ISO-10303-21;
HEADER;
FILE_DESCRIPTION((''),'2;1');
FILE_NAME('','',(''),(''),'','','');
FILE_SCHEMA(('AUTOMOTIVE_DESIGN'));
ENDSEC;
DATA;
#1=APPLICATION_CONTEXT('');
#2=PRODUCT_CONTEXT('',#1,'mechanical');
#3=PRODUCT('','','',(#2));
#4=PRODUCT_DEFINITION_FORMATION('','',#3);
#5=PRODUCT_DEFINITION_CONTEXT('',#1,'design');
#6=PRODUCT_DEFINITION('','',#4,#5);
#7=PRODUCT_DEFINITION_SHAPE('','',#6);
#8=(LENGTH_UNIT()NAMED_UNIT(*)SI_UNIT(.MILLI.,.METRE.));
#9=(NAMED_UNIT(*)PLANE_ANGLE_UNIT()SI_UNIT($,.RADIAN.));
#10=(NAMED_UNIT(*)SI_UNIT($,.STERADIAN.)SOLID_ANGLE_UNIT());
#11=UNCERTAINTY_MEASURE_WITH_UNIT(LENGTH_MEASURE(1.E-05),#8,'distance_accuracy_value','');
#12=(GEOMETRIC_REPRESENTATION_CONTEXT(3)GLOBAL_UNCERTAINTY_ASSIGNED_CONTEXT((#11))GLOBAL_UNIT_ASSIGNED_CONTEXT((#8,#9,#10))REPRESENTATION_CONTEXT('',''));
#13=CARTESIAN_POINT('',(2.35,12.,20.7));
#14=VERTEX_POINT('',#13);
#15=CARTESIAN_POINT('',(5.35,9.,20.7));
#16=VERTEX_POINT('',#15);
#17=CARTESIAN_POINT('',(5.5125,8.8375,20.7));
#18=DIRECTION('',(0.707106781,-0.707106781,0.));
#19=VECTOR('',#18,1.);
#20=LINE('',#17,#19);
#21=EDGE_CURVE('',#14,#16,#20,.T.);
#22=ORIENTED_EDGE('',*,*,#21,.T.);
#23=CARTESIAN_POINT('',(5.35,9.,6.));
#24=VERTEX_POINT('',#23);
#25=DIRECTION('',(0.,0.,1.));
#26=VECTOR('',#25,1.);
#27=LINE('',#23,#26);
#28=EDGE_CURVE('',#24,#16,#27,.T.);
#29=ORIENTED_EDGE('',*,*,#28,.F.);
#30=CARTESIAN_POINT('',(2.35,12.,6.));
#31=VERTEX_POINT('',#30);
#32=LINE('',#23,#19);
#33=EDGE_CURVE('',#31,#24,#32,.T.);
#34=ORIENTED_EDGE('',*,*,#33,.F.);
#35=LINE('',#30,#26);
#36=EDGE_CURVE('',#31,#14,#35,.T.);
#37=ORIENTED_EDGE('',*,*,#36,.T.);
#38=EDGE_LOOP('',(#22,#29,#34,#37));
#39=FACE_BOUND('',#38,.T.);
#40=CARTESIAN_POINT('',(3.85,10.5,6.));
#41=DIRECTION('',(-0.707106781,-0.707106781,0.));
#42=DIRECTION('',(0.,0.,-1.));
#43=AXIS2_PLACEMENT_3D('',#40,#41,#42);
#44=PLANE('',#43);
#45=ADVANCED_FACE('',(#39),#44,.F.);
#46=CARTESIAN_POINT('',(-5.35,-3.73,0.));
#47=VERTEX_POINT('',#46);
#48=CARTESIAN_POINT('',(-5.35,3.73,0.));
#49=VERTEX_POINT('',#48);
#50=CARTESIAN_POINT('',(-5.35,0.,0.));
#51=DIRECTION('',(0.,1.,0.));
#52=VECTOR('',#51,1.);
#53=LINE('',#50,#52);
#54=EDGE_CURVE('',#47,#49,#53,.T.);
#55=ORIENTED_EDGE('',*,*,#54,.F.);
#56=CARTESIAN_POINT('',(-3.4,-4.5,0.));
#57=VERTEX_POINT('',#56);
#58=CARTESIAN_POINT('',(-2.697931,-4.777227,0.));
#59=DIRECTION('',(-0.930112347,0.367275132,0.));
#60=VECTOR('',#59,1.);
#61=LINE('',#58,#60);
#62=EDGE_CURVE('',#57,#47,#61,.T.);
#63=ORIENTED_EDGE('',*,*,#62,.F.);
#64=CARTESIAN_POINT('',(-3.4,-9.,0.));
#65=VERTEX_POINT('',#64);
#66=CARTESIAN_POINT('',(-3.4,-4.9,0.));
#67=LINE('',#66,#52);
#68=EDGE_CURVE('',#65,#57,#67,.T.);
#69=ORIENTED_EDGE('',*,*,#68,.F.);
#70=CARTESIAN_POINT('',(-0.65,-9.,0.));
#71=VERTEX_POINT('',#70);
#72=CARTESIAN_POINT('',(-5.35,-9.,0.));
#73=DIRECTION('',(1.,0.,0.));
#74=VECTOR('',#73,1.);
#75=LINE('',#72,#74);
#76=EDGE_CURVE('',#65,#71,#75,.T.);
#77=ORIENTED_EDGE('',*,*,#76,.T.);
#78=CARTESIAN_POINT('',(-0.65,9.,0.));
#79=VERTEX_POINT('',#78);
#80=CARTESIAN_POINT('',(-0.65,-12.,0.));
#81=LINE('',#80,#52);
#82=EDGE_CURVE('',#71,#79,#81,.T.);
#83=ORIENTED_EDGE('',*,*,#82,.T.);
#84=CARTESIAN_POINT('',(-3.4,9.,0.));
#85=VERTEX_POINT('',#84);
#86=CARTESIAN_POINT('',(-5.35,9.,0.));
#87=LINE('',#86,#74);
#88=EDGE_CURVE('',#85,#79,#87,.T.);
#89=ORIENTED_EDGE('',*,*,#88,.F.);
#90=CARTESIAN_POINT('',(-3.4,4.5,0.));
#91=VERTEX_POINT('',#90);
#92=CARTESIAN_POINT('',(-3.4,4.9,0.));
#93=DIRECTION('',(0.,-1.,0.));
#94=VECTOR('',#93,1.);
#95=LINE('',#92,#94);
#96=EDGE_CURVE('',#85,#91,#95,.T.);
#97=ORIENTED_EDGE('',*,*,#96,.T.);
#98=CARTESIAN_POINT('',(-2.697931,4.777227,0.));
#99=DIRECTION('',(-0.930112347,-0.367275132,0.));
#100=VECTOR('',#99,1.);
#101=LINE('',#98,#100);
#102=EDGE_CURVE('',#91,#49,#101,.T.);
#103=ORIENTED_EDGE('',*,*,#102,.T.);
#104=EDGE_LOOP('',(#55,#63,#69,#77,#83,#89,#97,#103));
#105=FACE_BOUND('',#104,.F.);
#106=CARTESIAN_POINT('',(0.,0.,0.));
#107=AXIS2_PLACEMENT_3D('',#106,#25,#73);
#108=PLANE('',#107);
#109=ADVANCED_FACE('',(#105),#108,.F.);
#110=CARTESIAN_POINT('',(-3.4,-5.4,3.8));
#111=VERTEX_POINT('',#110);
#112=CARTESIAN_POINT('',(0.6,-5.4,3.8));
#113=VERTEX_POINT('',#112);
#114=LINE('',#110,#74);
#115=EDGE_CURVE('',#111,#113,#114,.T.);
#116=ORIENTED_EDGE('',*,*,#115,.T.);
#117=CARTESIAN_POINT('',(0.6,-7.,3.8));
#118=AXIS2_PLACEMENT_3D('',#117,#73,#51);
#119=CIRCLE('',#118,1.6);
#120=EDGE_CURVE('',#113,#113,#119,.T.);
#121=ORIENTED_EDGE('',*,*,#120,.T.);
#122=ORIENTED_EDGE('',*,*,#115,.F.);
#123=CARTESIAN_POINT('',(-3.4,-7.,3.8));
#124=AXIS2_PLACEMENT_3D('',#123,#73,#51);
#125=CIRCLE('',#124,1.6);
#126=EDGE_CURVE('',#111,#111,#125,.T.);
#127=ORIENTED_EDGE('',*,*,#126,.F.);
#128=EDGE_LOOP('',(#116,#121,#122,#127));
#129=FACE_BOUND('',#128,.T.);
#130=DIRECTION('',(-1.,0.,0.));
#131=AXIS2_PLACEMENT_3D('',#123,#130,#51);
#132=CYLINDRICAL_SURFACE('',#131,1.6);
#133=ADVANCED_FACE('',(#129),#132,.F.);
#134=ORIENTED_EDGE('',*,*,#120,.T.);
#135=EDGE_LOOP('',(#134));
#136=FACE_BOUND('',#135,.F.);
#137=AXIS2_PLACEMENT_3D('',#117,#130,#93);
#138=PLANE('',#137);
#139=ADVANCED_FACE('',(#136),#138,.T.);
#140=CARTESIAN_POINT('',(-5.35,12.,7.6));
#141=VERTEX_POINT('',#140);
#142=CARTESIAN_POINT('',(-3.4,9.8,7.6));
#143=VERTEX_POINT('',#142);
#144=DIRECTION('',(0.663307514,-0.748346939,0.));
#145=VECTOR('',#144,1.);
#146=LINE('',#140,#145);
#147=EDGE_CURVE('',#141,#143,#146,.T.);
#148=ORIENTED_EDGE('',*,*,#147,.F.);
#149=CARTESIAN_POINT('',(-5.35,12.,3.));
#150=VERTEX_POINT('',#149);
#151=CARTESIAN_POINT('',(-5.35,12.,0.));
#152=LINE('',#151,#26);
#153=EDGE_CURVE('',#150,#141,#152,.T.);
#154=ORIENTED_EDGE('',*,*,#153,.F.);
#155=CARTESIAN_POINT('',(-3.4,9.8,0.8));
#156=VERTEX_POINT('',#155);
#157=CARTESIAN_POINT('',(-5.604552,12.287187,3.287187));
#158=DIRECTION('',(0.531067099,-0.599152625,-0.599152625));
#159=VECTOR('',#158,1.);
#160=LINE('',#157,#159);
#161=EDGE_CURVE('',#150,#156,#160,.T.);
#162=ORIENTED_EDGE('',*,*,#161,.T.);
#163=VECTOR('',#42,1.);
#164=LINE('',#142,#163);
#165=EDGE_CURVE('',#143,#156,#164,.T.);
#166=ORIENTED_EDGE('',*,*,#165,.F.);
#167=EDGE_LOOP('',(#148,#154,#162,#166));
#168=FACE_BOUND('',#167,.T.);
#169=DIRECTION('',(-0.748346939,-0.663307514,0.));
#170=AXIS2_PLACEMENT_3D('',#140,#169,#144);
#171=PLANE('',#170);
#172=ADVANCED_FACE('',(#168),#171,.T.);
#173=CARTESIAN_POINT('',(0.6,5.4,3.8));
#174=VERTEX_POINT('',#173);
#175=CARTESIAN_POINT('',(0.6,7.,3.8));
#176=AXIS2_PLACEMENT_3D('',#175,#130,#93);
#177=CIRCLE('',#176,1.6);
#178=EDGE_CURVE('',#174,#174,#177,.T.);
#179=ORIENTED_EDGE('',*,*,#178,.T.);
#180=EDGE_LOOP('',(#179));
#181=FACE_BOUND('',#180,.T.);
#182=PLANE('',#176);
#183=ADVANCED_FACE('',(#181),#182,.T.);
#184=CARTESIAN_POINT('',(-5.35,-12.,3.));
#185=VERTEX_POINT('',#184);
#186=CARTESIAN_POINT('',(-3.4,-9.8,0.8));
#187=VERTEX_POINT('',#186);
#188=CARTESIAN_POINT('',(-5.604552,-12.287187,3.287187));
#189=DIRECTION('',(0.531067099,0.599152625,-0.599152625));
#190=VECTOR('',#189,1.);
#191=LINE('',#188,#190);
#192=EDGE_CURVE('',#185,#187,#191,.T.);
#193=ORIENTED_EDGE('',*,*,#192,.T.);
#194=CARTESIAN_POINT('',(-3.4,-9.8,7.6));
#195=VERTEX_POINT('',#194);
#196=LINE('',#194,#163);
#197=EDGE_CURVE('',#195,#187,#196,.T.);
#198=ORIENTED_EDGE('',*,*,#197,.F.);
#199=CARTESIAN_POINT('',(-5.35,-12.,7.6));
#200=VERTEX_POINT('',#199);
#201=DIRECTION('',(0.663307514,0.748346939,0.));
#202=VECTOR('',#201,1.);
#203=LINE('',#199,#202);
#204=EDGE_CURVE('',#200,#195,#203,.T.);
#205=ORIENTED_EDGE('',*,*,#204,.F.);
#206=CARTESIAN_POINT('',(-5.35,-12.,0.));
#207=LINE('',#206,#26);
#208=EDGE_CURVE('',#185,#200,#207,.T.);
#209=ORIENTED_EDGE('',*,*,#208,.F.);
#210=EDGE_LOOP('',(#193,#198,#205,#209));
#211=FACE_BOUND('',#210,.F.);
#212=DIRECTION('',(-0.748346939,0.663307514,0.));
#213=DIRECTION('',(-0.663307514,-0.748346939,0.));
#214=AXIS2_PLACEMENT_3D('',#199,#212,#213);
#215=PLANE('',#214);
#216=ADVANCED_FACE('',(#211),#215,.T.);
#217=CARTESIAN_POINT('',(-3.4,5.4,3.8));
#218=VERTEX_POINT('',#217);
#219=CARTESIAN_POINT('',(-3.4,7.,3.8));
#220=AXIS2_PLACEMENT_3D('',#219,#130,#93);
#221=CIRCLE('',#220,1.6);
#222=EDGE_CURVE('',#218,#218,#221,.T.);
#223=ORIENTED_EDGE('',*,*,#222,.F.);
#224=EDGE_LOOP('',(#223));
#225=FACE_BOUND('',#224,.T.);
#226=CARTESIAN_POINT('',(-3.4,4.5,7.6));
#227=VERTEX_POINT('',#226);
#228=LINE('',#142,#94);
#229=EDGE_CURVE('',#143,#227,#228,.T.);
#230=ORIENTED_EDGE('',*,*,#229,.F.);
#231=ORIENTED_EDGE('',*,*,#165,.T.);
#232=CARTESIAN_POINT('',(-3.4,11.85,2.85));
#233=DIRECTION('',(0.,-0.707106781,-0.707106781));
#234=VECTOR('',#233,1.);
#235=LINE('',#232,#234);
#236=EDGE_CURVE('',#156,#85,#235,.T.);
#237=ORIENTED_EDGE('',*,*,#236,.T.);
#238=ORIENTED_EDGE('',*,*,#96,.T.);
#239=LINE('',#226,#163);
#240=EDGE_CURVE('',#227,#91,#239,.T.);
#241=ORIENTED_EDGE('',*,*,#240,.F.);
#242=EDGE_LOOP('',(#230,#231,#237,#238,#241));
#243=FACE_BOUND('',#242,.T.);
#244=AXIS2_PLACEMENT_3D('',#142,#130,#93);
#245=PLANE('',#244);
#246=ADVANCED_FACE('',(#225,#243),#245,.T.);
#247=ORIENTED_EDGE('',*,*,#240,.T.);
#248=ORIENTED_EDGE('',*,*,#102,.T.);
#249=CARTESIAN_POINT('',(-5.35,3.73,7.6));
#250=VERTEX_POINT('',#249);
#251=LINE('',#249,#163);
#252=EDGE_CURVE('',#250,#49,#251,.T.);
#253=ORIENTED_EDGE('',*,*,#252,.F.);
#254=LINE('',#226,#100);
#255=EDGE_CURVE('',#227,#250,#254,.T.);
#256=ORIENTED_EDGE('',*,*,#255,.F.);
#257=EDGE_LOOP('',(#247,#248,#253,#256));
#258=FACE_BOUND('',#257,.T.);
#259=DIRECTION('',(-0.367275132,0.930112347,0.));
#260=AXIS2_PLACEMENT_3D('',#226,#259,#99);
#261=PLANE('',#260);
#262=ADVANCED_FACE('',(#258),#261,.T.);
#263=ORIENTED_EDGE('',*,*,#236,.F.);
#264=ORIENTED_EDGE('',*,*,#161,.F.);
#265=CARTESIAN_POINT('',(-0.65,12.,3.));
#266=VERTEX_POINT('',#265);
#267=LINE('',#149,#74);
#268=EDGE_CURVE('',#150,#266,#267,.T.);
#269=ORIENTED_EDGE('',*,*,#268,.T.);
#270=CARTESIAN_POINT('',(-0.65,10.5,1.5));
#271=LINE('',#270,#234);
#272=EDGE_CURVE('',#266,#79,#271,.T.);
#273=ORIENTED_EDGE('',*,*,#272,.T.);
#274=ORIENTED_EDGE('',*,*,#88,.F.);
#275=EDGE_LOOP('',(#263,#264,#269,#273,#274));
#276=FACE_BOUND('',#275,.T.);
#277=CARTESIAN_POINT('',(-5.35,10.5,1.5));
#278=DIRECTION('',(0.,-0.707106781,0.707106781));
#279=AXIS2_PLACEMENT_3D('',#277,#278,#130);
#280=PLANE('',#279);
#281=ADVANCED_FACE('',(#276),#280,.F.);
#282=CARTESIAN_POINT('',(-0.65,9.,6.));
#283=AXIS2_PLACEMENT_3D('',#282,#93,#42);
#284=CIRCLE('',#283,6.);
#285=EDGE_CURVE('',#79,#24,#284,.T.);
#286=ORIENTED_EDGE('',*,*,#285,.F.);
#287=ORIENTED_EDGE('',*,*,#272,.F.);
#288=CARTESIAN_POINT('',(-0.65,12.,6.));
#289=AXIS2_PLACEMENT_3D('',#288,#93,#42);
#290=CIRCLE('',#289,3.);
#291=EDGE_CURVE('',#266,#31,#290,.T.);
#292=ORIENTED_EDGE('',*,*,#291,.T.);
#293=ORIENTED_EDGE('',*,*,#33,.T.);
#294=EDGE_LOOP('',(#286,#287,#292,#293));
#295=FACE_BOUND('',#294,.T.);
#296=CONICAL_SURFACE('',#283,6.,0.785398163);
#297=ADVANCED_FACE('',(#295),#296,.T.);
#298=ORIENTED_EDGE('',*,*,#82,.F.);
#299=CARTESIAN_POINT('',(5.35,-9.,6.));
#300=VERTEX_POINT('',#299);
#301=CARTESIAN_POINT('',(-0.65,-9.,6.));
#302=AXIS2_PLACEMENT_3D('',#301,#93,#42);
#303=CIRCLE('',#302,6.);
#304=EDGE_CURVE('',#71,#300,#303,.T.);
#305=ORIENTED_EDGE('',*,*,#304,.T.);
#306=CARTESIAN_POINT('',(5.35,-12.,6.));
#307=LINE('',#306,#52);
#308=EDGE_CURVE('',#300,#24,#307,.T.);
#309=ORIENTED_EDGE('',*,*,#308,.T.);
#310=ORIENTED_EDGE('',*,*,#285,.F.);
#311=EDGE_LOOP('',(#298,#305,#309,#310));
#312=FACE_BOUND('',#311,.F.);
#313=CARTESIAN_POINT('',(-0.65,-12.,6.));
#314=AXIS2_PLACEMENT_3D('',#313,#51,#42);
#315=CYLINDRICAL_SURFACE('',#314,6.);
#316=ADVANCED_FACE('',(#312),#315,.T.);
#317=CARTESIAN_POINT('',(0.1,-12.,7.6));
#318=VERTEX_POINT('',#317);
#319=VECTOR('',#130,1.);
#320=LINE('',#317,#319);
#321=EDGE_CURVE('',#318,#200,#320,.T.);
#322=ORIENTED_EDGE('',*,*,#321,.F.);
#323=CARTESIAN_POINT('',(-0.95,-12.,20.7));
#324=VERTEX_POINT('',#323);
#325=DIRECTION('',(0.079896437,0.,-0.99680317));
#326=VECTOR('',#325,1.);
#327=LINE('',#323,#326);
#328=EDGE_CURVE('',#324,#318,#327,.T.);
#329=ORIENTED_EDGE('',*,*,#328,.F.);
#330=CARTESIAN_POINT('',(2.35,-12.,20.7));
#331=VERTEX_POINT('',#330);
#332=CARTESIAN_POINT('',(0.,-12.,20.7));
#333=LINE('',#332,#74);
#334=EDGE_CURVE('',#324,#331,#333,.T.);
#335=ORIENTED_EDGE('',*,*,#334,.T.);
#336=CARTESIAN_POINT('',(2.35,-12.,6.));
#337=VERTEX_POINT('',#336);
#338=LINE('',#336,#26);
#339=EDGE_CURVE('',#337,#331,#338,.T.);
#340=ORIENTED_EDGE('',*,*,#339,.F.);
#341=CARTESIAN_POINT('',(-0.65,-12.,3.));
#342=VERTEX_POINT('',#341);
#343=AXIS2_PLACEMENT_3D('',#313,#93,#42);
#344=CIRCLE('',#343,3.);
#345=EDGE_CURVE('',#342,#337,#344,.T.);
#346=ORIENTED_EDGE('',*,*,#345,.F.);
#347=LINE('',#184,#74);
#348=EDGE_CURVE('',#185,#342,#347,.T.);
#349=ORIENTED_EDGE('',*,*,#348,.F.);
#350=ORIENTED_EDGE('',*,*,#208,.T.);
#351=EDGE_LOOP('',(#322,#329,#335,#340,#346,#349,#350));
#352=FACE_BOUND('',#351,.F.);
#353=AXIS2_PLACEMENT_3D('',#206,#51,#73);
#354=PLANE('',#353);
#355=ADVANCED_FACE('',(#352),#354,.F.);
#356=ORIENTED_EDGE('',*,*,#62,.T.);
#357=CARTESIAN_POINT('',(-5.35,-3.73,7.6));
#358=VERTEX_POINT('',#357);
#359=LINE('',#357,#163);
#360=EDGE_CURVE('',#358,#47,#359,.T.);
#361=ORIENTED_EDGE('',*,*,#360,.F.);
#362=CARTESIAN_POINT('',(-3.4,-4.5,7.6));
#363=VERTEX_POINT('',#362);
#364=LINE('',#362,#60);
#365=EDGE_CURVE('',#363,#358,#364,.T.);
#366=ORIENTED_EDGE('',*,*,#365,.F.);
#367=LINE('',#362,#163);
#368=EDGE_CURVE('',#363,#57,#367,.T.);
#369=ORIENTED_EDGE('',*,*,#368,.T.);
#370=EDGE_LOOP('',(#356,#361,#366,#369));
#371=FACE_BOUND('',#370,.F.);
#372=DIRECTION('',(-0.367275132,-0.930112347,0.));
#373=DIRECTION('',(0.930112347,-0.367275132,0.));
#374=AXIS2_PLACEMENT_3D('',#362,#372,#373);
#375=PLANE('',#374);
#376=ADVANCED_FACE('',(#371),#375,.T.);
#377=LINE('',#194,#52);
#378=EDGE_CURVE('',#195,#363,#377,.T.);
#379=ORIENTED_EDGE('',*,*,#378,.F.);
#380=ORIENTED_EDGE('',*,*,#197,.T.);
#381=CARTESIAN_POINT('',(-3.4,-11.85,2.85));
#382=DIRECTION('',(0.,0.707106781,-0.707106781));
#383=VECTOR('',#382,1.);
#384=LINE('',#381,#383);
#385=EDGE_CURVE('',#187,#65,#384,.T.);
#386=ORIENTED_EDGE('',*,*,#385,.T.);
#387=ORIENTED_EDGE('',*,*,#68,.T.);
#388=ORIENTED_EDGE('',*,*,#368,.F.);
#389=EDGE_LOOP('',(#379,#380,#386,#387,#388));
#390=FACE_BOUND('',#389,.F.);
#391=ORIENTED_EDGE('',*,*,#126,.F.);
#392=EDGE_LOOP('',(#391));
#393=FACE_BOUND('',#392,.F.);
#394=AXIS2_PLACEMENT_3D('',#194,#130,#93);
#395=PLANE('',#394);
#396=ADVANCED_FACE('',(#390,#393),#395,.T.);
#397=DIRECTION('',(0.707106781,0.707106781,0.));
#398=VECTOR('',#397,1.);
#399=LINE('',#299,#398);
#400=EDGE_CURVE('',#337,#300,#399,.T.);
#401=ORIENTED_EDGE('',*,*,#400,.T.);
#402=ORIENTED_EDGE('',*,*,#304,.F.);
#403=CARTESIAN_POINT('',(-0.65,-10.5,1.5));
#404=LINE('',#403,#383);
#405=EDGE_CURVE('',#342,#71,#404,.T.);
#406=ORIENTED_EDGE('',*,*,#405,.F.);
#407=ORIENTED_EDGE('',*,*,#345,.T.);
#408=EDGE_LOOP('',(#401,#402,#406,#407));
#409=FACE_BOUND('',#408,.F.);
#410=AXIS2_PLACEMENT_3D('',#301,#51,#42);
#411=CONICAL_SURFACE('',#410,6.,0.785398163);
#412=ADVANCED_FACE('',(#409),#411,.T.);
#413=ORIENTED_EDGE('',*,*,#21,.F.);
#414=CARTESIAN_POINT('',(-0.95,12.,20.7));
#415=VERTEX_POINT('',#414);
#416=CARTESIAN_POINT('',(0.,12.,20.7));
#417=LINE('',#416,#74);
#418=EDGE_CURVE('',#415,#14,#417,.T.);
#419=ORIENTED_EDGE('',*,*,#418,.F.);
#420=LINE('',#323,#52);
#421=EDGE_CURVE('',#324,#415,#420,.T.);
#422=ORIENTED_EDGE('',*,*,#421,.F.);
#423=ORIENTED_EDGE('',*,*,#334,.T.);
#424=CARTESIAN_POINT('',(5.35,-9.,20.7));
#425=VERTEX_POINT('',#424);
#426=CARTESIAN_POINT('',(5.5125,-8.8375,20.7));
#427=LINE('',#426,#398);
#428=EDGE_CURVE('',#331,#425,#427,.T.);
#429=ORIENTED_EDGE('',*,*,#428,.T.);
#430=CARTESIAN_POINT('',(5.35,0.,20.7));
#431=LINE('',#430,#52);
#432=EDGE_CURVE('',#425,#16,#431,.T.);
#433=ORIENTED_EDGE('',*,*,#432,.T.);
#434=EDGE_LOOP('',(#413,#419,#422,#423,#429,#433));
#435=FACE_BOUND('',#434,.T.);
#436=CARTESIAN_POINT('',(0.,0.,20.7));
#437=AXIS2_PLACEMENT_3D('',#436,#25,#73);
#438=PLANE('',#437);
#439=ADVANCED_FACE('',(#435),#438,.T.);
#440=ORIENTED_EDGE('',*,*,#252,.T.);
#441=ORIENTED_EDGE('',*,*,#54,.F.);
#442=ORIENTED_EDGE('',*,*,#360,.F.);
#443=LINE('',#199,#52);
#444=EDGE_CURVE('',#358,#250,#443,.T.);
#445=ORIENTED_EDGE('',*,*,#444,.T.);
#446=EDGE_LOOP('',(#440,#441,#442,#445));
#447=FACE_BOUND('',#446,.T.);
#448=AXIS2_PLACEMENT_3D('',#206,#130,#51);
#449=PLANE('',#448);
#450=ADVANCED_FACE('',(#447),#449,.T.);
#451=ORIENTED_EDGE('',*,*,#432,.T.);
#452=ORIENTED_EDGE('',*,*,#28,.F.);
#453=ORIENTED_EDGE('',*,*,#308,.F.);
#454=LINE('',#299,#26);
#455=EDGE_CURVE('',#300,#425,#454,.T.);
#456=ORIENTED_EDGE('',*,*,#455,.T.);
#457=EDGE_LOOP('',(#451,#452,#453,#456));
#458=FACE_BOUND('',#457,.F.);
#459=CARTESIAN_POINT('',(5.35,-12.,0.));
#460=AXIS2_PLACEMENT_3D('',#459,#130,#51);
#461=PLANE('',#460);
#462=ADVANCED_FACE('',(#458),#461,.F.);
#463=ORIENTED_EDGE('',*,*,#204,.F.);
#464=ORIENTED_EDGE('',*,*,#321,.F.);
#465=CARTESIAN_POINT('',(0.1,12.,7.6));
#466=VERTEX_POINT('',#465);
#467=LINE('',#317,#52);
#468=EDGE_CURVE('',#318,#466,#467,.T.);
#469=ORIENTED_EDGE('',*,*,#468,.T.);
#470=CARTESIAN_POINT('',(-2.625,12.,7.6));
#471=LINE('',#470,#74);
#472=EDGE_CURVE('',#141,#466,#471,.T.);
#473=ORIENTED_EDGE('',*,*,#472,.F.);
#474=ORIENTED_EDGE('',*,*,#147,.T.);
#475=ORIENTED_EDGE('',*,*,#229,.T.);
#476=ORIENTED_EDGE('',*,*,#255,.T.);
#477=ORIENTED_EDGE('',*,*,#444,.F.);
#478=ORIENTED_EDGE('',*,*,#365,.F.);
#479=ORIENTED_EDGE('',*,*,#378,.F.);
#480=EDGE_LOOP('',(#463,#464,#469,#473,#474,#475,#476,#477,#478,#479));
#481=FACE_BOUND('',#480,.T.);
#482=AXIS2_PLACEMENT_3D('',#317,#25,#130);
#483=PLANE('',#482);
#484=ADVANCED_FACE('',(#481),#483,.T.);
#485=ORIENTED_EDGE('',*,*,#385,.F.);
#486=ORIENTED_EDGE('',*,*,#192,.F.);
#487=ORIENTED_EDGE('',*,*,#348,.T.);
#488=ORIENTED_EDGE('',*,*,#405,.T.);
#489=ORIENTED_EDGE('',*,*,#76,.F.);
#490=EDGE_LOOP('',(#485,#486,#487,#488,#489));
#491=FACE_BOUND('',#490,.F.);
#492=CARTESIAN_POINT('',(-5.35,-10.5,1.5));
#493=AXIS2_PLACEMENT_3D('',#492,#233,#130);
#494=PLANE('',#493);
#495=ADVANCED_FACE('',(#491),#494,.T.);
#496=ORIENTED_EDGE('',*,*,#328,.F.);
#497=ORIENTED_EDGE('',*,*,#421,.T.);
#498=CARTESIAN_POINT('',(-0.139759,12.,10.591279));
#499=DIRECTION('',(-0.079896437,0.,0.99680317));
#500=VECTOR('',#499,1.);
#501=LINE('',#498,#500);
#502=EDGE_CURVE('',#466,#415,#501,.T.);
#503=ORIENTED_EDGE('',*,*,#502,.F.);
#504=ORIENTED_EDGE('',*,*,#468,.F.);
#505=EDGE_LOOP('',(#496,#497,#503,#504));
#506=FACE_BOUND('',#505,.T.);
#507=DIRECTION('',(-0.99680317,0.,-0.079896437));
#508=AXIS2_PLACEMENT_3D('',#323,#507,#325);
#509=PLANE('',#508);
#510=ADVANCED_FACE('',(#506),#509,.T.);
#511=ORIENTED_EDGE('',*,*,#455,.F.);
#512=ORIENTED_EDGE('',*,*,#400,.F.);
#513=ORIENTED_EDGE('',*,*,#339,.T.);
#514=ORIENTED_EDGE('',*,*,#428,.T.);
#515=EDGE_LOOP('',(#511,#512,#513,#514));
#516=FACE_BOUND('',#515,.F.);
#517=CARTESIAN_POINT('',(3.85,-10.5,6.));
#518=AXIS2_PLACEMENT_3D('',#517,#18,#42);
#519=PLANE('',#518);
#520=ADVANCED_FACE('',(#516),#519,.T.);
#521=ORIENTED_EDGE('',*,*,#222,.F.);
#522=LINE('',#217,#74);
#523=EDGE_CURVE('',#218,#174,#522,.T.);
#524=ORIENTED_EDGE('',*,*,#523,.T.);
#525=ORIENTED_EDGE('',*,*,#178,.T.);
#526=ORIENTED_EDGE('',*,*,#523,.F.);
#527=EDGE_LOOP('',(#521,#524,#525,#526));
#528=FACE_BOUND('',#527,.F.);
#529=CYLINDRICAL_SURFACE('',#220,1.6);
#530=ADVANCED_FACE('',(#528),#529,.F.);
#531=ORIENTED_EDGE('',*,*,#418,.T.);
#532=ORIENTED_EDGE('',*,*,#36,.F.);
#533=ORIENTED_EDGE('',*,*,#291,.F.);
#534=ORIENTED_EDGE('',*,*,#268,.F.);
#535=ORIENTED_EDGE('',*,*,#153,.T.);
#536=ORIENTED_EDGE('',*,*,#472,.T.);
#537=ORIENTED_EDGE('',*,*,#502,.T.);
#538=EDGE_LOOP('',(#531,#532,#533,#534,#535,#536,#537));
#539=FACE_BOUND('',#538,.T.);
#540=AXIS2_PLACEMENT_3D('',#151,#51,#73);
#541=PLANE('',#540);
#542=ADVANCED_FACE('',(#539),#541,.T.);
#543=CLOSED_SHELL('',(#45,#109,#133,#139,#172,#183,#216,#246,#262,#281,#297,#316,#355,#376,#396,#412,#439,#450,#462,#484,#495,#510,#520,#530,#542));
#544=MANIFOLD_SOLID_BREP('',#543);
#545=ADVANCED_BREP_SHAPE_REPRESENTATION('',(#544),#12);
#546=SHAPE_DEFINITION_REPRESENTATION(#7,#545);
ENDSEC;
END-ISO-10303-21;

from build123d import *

# Parameters (mm, degrees)
SKETCH_W        = 10.7
SKETCH_H        = 24
PAD_DEPTH       = 20.7
POCKET_DEPTH    = 24.001
FILLET_R        = 6
POCKET001_DEPTH = 74.503317
SKETCH003_R     = 1.6
POCKET002_DEPTH = 4
CHAMFER_SIZE    = 3
CHAMFER001_SIZE = 3


with BuildPart() as part:
    # Sketch → Pad (new body)
    with BuildSketch(Plane.XY):
        Rectangle(SKETCH_W, SKETCH_H)
    extrude(amount=PAD_DEPTH)

    # Sketch001 (on Face3 of Pad) → Pocket (cut, through all)
    with BuildSketch(Plane.XZ.offset(12)):
        Polygon((-0.95, 20.7), (0.1, 7.6), (-5.35, 7.6), (-5.35, 20.7), align=None)
    extrude(amount=-POCKET_DEPTH, mode=Mode.SUBTRACT)

    # Fillet
    fillet_edges = [part.edges().sort_by_distance(p)[0] for p in [
        (5.35, 0, 0),
    ]]
    fillet(fillet_edges, radius=FILLET_R)

    # Sketch002 (on Face6 of Fillet) → Pocket001 (cut, through all)
    with BuildSketch(Plane.XY.offset(7.6)):
        Polygon((-5.35, 12), (-3.4, 9.8), (-3.4, 4.5), (-5.35, 3.73), align=None)
    pocket001 = extrude(amount=-POCKET001_DEPTH, mode=Mode.SUBTRACT)

    # Mirrored: Pocket001 across Sketch002 H_Axis
    add(pocket001.mirror(Plane(origin=(0, 0, 7.6), x_dir=(0, 0, 1), z_dir=(0, 1, 0))), mode=Mode.SUBTRACT)

    # Sketch003 (on Face9 of Mirrored) → Pocket002 (cut)
    with BuildSketch(Plane(origin=(-3.4, 0, 0), x_dir=(0, -1, 0), z_dir=(-1, 0, 0))):
        with Locations((-7, 3.8)):
            Circle(SKETCH003_R)
    pocket002 = extrude(amount=-POCKET002_DEPTH, mode=Mode.SUBTRACT)

    # Mirrored001: Pocket002 across Sketch003 V_Axis
    add(pocket002.mirror(Plane(origin=(-3.4, 0, 0), x_dir=(-1, 0, 0), z_dir=(0, -1, 0))), mode=Mode.SUBTRACT)

    # Chamfer
    chamfer_edges = [part.edges().sort_by_distance(p)[0] for p in [
        (5.35, -12, 13.35),
    ]]
    chamfer(chamfer_edges, length=CHAMFER_SIZE)

    # Chamfer001
    chamfer001_edges = [part.edges().sort_by_distance(p)[0] for p in [
        (5.35, 12, 13.35),
    ]]
    chamfer(chamfer001_edges, length=CHAMFER001_SIZE)


solid = part.part
